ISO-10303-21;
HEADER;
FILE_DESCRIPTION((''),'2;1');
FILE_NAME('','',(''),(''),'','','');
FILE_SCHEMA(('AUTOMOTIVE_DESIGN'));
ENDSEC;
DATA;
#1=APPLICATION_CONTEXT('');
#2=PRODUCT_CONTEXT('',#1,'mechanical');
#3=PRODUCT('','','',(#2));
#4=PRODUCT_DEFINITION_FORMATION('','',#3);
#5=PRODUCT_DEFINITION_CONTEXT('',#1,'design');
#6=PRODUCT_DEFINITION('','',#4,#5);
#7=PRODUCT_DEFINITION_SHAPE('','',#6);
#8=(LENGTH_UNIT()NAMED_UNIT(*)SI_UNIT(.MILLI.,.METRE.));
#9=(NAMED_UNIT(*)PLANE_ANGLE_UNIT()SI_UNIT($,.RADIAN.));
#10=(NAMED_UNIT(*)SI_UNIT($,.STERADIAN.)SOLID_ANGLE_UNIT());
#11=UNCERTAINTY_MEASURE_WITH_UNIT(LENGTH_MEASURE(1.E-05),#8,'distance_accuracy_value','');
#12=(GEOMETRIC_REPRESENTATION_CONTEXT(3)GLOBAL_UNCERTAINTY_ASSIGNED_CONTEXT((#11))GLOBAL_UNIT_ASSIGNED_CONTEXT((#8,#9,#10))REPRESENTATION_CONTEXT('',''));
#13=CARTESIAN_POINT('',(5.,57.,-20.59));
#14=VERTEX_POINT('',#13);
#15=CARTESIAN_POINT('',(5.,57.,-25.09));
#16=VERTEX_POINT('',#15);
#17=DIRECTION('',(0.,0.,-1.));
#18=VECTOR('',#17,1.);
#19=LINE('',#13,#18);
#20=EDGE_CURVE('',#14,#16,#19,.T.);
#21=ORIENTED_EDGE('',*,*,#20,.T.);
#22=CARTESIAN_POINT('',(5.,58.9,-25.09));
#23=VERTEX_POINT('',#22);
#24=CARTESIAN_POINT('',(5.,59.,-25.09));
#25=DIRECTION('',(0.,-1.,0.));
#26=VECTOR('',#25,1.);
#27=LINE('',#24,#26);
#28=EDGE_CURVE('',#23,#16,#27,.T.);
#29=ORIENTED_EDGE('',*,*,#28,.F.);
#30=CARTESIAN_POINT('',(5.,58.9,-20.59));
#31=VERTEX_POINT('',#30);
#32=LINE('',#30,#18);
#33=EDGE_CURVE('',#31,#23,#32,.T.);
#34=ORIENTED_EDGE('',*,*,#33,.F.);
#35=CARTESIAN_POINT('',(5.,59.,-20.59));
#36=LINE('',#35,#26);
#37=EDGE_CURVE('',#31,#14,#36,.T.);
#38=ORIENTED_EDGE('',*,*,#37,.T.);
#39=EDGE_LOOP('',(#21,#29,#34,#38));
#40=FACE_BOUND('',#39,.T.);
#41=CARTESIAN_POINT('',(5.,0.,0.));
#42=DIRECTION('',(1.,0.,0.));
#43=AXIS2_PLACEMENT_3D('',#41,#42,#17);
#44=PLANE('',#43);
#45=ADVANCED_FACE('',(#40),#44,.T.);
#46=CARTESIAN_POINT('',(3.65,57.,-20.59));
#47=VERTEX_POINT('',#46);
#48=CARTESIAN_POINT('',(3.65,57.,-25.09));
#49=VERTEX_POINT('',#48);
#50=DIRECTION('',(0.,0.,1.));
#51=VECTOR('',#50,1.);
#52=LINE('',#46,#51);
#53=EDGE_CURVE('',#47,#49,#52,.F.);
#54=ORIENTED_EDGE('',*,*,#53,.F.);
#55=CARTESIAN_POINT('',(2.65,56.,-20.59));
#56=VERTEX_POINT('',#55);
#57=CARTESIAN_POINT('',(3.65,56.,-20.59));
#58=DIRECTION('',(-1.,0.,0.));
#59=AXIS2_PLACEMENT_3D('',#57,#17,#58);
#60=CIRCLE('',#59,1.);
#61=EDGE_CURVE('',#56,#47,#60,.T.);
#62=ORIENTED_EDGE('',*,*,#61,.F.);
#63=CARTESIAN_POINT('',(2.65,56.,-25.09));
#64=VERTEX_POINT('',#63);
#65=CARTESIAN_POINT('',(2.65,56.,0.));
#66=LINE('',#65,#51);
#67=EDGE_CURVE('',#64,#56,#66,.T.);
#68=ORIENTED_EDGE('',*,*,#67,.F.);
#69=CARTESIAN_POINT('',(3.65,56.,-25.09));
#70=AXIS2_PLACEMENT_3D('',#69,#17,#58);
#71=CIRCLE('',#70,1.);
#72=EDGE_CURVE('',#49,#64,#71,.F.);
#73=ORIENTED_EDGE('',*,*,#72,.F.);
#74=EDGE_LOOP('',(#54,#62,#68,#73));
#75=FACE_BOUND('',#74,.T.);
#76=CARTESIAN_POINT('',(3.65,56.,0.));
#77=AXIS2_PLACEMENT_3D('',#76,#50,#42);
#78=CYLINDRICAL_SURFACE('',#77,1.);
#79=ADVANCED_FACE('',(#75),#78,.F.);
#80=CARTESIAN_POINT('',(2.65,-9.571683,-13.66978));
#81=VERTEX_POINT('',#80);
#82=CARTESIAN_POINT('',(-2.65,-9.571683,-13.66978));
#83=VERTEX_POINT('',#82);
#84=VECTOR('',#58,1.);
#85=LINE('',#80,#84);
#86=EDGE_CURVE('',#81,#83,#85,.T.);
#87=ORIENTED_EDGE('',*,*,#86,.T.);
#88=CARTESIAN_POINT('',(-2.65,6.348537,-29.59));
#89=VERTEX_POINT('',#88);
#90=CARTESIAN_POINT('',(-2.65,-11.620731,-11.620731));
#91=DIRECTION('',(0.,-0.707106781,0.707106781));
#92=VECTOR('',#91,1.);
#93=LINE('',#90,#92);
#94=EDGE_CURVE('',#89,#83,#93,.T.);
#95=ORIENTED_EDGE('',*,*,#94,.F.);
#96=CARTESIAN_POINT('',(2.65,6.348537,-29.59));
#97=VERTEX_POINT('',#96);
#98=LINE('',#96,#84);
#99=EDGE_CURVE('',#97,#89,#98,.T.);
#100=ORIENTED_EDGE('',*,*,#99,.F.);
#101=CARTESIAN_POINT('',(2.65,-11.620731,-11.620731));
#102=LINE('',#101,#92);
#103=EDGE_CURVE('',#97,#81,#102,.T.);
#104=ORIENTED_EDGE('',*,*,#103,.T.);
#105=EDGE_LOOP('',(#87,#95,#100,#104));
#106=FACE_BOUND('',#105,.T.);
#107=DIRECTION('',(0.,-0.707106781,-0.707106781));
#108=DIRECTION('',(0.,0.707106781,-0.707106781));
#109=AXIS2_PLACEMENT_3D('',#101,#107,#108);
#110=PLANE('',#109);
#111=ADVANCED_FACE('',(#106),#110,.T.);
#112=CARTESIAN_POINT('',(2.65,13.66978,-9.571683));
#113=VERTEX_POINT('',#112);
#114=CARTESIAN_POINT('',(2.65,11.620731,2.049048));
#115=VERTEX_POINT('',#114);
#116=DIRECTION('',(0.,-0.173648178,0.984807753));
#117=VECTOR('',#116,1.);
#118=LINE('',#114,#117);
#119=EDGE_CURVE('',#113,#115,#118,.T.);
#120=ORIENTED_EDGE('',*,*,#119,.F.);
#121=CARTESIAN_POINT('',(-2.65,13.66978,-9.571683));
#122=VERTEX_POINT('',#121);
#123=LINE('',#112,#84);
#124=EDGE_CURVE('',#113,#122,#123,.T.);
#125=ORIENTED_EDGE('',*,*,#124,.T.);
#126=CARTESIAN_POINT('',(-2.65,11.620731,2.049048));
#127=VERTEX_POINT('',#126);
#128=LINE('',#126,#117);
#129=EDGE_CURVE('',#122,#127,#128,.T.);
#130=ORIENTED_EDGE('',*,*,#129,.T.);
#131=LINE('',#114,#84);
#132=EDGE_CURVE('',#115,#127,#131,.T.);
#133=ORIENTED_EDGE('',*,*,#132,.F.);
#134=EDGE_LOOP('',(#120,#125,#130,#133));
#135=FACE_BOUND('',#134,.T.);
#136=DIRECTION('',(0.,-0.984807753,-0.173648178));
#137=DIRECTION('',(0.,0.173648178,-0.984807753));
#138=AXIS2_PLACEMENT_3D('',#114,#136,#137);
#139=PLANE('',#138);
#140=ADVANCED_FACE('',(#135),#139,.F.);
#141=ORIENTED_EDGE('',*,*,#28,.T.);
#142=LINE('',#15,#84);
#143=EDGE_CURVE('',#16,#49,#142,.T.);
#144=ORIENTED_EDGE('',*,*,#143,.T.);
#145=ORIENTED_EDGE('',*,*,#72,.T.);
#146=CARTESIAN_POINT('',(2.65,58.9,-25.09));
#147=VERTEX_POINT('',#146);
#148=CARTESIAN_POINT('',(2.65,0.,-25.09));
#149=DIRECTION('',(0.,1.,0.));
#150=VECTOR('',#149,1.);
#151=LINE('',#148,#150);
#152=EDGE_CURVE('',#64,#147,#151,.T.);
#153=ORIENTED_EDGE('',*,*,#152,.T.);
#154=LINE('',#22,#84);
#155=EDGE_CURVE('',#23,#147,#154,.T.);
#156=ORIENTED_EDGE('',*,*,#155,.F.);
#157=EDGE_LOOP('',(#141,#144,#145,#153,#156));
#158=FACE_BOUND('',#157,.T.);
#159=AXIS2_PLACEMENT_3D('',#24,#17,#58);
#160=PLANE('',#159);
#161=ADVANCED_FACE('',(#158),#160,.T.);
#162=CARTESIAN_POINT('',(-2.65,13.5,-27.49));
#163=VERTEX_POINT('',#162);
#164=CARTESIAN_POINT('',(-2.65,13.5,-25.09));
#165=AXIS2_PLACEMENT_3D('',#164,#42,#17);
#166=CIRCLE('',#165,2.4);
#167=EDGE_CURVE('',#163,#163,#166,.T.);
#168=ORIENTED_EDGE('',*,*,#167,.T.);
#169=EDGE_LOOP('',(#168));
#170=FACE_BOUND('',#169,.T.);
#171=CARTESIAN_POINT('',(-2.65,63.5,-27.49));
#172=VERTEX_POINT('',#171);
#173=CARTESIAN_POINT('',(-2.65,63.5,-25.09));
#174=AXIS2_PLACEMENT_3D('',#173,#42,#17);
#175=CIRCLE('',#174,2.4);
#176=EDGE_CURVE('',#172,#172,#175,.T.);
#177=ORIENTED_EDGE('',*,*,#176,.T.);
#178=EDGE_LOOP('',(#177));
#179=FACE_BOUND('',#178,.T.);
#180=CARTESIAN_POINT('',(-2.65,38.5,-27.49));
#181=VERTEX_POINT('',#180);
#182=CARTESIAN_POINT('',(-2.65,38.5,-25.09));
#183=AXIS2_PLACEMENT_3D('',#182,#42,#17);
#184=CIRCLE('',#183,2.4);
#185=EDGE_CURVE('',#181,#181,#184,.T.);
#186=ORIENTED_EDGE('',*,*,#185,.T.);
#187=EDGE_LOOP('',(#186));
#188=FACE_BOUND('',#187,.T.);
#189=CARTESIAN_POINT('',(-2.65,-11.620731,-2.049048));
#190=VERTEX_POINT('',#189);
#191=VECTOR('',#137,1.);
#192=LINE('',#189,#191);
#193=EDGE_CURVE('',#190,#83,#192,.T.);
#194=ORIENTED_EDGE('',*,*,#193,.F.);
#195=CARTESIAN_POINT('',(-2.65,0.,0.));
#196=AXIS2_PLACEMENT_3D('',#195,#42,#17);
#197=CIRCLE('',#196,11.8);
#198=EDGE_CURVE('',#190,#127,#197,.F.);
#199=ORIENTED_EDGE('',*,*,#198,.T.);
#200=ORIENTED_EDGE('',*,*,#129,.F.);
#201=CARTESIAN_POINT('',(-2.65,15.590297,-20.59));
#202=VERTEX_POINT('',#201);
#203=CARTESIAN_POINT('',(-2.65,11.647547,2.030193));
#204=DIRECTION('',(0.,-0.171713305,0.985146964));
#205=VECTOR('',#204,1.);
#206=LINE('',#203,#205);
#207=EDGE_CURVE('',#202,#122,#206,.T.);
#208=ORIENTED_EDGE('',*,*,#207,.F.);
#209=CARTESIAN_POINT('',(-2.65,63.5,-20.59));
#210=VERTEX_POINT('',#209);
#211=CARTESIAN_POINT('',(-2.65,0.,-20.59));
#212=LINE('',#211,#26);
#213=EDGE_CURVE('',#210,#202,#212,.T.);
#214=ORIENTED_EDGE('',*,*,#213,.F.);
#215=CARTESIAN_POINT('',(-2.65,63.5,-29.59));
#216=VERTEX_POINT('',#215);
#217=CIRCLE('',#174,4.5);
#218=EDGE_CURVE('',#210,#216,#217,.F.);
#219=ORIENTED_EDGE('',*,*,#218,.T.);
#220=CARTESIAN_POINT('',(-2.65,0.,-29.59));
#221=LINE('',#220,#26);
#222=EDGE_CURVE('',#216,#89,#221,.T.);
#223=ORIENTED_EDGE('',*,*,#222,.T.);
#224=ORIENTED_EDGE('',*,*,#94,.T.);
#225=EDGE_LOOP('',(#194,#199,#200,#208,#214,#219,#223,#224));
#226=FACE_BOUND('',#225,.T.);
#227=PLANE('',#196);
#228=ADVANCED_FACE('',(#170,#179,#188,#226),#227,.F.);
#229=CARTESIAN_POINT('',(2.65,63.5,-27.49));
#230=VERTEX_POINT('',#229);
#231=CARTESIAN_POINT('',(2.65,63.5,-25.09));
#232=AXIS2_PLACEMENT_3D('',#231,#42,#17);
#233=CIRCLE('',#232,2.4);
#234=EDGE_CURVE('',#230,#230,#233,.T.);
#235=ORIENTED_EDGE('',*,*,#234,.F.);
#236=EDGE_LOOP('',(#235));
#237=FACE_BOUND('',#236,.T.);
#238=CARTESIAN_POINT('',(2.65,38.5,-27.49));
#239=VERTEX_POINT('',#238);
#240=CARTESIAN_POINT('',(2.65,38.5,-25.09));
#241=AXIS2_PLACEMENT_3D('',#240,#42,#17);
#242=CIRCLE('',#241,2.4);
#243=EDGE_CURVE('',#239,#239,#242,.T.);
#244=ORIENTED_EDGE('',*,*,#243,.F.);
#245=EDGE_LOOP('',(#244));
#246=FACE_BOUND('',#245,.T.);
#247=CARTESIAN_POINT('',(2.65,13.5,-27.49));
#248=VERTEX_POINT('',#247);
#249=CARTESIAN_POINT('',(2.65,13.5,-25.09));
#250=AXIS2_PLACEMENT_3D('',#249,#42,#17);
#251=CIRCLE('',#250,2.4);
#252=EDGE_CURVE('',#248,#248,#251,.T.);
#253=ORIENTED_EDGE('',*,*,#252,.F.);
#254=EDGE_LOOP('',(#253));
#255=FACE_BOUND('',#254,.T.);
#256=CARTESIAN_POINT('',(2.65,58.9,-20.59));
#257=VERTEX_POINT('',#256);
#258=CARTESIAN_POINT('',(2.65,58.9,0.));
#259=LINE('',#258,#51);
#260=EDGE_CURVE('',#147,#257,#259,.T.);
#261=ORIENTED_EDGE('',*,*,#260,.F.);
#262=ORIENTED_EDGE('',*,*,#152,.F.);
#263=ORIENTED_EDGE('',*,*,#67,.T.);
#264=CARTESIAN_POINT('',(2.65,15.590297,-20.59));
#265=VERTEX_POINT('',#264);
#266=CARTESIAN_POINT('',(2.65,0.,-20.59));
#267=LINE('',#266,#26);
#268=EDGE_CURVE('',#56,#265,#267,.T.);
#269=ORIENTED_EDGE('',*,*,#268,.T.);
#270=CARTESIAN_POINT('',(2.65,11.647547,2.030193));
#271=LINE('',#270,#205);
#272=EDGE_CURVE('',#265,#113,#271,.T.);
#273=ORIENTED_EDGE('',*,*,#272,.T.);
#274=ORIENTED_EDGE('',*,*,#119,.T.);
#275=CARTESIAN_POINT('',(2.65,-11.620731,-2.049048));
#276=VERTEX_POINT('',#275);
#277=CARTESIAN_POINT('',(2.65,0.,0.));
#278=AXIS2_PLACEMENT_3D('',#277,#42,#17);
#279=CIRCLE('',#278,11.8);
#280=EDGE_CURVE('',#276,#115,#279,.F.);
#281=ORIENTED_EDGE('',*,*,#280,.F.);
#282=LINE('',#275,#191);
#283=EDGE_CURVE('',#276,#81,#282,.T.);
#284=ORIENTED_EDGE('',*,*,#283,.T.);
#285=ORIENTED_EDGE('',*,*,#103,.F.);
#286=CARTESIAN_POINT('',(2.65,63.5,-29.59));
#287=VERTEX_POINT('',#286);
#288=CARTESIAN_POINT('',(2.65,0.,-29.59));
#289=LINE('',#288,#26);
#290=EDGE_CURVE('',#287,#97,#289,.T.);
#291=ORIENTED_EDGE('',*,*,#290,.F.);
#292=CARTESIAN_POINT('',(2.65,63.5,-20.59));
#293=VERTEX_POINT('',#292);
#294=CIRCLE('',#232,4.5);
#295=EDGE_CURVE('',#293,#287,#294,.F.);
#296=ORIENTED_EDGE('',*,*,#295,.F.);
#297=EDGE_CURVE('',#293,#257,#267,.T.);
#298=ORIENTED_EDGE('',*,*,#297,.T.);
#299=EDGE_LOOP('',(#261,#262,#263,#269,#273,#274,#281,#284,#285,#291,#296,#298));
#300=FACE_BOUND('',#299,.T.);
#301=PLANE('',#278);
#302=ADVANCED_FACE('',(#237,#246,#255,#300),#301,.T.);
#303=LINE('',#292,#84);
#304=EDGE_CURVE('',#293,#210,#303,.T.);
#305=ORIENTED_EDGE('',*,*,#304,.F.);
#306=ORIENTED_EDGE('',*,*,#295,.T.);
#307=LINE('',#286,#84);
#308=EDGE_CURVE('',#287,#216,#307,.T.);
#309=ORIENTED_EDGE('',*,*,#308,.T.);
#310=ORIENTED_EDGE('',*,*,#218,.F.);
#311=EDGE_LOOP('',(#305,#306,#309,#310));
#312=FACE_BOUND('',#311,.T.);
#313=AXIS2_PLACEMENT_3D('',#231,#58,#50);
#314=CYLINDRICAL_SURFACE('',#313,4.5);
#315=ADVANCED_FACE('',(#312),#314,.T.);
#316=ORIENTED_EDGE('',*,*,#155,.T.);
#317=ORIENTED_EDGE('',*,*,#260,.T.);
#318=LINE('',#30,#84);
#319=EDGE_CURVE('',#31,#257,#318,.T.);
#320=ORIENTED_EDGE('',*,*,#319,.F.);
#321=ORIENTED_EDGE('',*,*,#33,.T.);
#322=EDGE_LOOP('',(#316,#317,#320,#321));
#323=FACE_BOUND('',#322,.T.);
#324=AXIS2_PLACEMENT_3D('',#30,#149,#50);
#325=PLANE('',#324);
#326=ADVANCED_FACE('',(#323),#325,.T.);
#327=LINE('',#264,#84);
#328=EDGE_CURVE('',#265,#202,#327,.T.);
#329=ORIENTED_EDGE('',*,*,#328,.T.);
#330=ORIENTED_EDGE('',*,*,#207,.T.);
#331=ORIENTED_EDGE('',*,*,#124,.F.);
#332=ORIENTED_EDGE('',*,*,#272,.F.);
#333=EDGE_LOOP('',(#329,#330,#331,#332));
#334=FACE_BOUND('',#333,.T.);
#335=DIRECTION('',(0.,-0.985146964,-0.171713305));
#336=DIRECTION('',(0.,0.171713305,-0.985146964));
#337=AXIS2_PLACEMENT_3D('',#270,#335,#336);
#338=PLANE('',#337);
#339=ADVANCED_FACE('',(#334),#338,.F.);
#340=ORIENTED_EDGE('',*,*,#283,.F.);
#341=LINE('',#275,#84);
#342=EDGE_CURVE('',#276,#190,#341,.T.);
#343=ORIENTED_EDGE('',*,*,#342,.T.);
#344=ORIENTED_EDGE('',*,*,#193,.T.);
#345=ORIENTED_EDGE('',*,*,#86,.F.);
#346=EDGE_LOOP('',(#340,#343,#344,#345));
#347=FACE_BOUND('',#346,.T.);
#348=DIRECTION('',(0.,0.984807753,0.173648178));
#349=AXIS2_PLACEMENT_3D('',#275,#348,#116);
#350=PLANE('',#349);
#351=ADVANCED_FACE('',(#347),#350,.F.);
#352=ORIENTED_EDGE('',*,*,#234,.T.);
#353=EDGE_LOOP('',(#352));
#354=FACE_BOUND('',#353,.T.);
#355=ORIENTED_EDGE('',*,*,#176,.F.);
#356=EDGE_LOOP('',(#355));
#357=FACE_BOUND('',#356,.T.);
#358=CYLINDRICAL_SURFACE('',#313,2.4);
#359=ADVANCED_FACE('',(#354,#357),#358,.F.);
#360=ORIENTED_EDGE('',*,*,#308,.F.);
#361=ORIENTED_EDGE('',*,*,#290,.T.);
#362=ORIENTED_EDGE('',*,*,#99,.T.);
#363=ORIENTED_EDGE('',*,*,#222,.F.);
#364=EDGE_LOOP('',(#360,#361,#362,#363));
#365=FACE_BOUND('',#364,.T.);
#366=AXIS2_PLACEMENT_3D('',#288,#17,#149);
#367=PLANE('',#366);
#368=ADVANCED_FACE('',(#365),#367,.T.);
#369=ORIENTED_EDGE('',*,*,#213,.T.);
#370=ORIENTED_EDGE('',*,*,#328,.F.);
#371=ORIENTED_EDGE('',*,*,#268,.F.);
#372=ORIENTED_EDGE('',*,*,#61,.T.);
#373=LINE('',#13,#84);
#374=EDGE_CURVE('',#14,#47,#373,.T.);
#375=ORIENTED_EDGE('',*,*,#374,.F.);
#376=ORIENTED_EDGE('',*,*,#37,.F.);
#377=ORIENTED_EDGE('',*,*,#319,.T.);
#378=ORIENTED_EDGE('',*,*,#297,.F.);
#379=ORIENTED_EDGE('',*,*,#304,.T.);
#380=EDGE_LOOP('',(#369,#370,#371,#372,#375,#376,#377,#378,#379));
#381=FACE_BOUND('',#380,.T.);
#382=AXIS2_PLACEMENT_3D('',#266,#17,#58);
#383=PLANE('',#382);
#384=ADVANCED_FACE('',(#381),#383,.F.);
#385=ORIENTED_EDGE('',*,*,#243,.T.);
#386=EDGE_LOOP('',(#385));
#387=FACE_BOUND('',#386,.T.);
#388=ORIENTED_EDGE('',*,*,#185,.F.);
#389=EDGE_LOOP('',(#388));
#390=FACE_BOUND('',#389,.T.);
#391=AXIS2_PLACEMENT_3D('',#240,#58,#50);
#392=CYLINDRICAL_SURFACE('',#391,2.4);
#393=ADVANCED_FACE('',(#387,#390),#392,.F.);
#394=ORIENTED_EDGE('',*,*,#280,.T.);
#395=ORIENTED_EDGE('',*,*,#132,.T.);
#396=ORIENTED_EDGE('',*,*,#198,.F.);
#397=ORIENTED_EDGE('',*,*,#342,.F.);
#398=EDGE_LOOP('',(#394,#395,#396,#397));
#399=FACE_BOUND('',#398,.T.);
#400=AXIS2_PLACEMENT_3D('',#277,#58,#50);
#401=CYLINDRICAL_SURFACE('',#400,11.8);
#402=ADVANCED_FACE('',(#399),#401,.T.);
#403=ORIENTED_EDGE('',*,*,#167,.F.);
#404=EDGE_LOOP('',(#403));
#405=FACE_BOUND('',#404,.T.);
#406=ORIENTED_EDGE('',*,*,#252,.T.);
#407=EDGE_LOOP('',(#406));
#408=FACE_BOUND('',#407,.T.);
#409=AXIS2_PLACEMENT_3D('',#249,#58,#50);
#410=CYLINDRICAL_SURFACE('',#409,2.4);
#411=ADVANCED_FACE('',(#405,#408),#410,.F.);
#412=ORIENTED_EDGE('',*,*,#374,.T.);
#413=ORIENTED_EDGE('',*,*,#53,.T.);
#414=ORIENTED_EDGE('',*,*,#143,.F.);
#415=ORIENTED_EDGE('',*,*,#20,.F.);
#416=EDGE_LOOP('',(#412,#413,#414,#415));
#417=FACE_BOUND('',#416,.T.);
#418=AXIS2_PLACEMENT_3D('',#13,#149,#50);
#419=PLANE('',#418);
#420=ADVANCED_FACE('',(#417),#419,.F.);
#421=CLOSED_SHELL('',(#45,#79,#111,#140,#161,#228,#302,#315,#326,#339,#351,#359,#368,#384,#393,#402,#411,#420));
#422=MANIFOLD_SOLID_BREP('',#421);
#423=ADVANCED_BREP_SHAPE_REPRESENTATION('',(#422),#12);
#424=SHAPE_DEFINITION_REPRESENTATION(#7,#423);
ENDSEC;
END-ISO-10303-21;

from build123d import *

# Parameters (mm, degrees)
SKETCH1_R           = 2.5
BOSS_EXTRUDE1_DEPTH = 2.65
SKETCH1_5_W         = 4.5
SKETCH1_5_H         = 2
BOSS_EXTRUDE2_DEPTH = 5
FILLET1_R           = 1
MOVE_FACE1_BY       = 0.1
MOVE_FACE1_2_BY     = 0.1
MOVE_FACE1_3_BY     = 0.1
MOVE_FACE2_BY       = 0.1


with BuildPart() as part:
    # Sketch1 → Boss-Extrude1 (new, symmetric)
    with BuildSketch(Plane(origin=(0, 0, 0), x_dir=(0, 0, -1), z_dir=(1, 0, 0))):
        with BuildLine():
            Line((2.049048496, -11.620731486), (13.669779982, -9.571682989))
            Line((13.669779982, -9.571682989), (29.59, 6.348537029))
            Line((29.59, 6.348537029), (29.59, 63.5))
            ThreePointArc((29.59, 63.5), (25.09, 68), (20.59, 63.5))
            Line((20.59, 63.5), (20.59, 15.59029712))
            Line((20.59, 15.59029712), (9.571682989, 13.669779982))
            Line((9.571682989, 13.669779982), (-2.049048496, 11.620731486))
            ThreePointArc((-2.049048496, 11.620731486), (-11.620731486, -2.049048496), (2.049048496, -11.620731486))
        make_face()
        with Locations((25.09, 63.5)):
            Circle(SKETCH1_R, mode=Mode.SUBTRACT)
        with Locations((25.09, 13.5)):
            Circle(SKETCH1_R, mode=Mode.SUBTRACT)
        with Locations((25.09, 38.5)):
            Circle(SKETCH1_R, mode=Mode.SUBTRACT)
    extrude(amount=BOSS_EXTRUDE1_DEPTH, both=True)

    # Sketch1<5> → Boss-Extrude2 (add)
    with BuildSketch(Plane(origin=(0, 0, 0), x_dir=(0, 0, -1), z_dir=(1, 0, 0))):
        with Locations((22.84, 58)):
            Rectangle(SKETCH1_5_W, SKETCH1_5_H)
    extrude(amount=BOSS_EXTRUDE2_DEPTH)

    # Fillet1
    fillet1_edges = [part.edges().sort_by_distance(p)[0] for p in [
        (2.65, 57, -22.84),
    ]]
    fillet(fillet1_edges, radius=FILLET1_R)

    # Move Face1: a curved face moved outward by 0.1
    add(Solid.thicken(part.faces().sort_by_distance((0, 13.5, -22.59))[0], MOVE_FACE1_BY))

    # Move Face1 2: a curved face moved outward by 0.1
    add(Solid.thicken(part.faces().sort_by_distance((0, 38.5, -22.59))[0], MOVE_FACE1_2_BY))

    # Move Face1 3: a curved face moved outward by 0.1
    add(Solid.thicken(part.faces().sort_by_distance((0, 63.5, -22.59))[0], MOVE_FACE1_3_BY))

    # Move Face2: a face moved inward by 0.1
    extrude(part.faces().sort_by_distance((3.825, 59, -22.84))[0], amount=MOVE_FACE2_BY, dir=(0, -1, 0), mode=Mode.SUBTRACT)


solid = part.part
